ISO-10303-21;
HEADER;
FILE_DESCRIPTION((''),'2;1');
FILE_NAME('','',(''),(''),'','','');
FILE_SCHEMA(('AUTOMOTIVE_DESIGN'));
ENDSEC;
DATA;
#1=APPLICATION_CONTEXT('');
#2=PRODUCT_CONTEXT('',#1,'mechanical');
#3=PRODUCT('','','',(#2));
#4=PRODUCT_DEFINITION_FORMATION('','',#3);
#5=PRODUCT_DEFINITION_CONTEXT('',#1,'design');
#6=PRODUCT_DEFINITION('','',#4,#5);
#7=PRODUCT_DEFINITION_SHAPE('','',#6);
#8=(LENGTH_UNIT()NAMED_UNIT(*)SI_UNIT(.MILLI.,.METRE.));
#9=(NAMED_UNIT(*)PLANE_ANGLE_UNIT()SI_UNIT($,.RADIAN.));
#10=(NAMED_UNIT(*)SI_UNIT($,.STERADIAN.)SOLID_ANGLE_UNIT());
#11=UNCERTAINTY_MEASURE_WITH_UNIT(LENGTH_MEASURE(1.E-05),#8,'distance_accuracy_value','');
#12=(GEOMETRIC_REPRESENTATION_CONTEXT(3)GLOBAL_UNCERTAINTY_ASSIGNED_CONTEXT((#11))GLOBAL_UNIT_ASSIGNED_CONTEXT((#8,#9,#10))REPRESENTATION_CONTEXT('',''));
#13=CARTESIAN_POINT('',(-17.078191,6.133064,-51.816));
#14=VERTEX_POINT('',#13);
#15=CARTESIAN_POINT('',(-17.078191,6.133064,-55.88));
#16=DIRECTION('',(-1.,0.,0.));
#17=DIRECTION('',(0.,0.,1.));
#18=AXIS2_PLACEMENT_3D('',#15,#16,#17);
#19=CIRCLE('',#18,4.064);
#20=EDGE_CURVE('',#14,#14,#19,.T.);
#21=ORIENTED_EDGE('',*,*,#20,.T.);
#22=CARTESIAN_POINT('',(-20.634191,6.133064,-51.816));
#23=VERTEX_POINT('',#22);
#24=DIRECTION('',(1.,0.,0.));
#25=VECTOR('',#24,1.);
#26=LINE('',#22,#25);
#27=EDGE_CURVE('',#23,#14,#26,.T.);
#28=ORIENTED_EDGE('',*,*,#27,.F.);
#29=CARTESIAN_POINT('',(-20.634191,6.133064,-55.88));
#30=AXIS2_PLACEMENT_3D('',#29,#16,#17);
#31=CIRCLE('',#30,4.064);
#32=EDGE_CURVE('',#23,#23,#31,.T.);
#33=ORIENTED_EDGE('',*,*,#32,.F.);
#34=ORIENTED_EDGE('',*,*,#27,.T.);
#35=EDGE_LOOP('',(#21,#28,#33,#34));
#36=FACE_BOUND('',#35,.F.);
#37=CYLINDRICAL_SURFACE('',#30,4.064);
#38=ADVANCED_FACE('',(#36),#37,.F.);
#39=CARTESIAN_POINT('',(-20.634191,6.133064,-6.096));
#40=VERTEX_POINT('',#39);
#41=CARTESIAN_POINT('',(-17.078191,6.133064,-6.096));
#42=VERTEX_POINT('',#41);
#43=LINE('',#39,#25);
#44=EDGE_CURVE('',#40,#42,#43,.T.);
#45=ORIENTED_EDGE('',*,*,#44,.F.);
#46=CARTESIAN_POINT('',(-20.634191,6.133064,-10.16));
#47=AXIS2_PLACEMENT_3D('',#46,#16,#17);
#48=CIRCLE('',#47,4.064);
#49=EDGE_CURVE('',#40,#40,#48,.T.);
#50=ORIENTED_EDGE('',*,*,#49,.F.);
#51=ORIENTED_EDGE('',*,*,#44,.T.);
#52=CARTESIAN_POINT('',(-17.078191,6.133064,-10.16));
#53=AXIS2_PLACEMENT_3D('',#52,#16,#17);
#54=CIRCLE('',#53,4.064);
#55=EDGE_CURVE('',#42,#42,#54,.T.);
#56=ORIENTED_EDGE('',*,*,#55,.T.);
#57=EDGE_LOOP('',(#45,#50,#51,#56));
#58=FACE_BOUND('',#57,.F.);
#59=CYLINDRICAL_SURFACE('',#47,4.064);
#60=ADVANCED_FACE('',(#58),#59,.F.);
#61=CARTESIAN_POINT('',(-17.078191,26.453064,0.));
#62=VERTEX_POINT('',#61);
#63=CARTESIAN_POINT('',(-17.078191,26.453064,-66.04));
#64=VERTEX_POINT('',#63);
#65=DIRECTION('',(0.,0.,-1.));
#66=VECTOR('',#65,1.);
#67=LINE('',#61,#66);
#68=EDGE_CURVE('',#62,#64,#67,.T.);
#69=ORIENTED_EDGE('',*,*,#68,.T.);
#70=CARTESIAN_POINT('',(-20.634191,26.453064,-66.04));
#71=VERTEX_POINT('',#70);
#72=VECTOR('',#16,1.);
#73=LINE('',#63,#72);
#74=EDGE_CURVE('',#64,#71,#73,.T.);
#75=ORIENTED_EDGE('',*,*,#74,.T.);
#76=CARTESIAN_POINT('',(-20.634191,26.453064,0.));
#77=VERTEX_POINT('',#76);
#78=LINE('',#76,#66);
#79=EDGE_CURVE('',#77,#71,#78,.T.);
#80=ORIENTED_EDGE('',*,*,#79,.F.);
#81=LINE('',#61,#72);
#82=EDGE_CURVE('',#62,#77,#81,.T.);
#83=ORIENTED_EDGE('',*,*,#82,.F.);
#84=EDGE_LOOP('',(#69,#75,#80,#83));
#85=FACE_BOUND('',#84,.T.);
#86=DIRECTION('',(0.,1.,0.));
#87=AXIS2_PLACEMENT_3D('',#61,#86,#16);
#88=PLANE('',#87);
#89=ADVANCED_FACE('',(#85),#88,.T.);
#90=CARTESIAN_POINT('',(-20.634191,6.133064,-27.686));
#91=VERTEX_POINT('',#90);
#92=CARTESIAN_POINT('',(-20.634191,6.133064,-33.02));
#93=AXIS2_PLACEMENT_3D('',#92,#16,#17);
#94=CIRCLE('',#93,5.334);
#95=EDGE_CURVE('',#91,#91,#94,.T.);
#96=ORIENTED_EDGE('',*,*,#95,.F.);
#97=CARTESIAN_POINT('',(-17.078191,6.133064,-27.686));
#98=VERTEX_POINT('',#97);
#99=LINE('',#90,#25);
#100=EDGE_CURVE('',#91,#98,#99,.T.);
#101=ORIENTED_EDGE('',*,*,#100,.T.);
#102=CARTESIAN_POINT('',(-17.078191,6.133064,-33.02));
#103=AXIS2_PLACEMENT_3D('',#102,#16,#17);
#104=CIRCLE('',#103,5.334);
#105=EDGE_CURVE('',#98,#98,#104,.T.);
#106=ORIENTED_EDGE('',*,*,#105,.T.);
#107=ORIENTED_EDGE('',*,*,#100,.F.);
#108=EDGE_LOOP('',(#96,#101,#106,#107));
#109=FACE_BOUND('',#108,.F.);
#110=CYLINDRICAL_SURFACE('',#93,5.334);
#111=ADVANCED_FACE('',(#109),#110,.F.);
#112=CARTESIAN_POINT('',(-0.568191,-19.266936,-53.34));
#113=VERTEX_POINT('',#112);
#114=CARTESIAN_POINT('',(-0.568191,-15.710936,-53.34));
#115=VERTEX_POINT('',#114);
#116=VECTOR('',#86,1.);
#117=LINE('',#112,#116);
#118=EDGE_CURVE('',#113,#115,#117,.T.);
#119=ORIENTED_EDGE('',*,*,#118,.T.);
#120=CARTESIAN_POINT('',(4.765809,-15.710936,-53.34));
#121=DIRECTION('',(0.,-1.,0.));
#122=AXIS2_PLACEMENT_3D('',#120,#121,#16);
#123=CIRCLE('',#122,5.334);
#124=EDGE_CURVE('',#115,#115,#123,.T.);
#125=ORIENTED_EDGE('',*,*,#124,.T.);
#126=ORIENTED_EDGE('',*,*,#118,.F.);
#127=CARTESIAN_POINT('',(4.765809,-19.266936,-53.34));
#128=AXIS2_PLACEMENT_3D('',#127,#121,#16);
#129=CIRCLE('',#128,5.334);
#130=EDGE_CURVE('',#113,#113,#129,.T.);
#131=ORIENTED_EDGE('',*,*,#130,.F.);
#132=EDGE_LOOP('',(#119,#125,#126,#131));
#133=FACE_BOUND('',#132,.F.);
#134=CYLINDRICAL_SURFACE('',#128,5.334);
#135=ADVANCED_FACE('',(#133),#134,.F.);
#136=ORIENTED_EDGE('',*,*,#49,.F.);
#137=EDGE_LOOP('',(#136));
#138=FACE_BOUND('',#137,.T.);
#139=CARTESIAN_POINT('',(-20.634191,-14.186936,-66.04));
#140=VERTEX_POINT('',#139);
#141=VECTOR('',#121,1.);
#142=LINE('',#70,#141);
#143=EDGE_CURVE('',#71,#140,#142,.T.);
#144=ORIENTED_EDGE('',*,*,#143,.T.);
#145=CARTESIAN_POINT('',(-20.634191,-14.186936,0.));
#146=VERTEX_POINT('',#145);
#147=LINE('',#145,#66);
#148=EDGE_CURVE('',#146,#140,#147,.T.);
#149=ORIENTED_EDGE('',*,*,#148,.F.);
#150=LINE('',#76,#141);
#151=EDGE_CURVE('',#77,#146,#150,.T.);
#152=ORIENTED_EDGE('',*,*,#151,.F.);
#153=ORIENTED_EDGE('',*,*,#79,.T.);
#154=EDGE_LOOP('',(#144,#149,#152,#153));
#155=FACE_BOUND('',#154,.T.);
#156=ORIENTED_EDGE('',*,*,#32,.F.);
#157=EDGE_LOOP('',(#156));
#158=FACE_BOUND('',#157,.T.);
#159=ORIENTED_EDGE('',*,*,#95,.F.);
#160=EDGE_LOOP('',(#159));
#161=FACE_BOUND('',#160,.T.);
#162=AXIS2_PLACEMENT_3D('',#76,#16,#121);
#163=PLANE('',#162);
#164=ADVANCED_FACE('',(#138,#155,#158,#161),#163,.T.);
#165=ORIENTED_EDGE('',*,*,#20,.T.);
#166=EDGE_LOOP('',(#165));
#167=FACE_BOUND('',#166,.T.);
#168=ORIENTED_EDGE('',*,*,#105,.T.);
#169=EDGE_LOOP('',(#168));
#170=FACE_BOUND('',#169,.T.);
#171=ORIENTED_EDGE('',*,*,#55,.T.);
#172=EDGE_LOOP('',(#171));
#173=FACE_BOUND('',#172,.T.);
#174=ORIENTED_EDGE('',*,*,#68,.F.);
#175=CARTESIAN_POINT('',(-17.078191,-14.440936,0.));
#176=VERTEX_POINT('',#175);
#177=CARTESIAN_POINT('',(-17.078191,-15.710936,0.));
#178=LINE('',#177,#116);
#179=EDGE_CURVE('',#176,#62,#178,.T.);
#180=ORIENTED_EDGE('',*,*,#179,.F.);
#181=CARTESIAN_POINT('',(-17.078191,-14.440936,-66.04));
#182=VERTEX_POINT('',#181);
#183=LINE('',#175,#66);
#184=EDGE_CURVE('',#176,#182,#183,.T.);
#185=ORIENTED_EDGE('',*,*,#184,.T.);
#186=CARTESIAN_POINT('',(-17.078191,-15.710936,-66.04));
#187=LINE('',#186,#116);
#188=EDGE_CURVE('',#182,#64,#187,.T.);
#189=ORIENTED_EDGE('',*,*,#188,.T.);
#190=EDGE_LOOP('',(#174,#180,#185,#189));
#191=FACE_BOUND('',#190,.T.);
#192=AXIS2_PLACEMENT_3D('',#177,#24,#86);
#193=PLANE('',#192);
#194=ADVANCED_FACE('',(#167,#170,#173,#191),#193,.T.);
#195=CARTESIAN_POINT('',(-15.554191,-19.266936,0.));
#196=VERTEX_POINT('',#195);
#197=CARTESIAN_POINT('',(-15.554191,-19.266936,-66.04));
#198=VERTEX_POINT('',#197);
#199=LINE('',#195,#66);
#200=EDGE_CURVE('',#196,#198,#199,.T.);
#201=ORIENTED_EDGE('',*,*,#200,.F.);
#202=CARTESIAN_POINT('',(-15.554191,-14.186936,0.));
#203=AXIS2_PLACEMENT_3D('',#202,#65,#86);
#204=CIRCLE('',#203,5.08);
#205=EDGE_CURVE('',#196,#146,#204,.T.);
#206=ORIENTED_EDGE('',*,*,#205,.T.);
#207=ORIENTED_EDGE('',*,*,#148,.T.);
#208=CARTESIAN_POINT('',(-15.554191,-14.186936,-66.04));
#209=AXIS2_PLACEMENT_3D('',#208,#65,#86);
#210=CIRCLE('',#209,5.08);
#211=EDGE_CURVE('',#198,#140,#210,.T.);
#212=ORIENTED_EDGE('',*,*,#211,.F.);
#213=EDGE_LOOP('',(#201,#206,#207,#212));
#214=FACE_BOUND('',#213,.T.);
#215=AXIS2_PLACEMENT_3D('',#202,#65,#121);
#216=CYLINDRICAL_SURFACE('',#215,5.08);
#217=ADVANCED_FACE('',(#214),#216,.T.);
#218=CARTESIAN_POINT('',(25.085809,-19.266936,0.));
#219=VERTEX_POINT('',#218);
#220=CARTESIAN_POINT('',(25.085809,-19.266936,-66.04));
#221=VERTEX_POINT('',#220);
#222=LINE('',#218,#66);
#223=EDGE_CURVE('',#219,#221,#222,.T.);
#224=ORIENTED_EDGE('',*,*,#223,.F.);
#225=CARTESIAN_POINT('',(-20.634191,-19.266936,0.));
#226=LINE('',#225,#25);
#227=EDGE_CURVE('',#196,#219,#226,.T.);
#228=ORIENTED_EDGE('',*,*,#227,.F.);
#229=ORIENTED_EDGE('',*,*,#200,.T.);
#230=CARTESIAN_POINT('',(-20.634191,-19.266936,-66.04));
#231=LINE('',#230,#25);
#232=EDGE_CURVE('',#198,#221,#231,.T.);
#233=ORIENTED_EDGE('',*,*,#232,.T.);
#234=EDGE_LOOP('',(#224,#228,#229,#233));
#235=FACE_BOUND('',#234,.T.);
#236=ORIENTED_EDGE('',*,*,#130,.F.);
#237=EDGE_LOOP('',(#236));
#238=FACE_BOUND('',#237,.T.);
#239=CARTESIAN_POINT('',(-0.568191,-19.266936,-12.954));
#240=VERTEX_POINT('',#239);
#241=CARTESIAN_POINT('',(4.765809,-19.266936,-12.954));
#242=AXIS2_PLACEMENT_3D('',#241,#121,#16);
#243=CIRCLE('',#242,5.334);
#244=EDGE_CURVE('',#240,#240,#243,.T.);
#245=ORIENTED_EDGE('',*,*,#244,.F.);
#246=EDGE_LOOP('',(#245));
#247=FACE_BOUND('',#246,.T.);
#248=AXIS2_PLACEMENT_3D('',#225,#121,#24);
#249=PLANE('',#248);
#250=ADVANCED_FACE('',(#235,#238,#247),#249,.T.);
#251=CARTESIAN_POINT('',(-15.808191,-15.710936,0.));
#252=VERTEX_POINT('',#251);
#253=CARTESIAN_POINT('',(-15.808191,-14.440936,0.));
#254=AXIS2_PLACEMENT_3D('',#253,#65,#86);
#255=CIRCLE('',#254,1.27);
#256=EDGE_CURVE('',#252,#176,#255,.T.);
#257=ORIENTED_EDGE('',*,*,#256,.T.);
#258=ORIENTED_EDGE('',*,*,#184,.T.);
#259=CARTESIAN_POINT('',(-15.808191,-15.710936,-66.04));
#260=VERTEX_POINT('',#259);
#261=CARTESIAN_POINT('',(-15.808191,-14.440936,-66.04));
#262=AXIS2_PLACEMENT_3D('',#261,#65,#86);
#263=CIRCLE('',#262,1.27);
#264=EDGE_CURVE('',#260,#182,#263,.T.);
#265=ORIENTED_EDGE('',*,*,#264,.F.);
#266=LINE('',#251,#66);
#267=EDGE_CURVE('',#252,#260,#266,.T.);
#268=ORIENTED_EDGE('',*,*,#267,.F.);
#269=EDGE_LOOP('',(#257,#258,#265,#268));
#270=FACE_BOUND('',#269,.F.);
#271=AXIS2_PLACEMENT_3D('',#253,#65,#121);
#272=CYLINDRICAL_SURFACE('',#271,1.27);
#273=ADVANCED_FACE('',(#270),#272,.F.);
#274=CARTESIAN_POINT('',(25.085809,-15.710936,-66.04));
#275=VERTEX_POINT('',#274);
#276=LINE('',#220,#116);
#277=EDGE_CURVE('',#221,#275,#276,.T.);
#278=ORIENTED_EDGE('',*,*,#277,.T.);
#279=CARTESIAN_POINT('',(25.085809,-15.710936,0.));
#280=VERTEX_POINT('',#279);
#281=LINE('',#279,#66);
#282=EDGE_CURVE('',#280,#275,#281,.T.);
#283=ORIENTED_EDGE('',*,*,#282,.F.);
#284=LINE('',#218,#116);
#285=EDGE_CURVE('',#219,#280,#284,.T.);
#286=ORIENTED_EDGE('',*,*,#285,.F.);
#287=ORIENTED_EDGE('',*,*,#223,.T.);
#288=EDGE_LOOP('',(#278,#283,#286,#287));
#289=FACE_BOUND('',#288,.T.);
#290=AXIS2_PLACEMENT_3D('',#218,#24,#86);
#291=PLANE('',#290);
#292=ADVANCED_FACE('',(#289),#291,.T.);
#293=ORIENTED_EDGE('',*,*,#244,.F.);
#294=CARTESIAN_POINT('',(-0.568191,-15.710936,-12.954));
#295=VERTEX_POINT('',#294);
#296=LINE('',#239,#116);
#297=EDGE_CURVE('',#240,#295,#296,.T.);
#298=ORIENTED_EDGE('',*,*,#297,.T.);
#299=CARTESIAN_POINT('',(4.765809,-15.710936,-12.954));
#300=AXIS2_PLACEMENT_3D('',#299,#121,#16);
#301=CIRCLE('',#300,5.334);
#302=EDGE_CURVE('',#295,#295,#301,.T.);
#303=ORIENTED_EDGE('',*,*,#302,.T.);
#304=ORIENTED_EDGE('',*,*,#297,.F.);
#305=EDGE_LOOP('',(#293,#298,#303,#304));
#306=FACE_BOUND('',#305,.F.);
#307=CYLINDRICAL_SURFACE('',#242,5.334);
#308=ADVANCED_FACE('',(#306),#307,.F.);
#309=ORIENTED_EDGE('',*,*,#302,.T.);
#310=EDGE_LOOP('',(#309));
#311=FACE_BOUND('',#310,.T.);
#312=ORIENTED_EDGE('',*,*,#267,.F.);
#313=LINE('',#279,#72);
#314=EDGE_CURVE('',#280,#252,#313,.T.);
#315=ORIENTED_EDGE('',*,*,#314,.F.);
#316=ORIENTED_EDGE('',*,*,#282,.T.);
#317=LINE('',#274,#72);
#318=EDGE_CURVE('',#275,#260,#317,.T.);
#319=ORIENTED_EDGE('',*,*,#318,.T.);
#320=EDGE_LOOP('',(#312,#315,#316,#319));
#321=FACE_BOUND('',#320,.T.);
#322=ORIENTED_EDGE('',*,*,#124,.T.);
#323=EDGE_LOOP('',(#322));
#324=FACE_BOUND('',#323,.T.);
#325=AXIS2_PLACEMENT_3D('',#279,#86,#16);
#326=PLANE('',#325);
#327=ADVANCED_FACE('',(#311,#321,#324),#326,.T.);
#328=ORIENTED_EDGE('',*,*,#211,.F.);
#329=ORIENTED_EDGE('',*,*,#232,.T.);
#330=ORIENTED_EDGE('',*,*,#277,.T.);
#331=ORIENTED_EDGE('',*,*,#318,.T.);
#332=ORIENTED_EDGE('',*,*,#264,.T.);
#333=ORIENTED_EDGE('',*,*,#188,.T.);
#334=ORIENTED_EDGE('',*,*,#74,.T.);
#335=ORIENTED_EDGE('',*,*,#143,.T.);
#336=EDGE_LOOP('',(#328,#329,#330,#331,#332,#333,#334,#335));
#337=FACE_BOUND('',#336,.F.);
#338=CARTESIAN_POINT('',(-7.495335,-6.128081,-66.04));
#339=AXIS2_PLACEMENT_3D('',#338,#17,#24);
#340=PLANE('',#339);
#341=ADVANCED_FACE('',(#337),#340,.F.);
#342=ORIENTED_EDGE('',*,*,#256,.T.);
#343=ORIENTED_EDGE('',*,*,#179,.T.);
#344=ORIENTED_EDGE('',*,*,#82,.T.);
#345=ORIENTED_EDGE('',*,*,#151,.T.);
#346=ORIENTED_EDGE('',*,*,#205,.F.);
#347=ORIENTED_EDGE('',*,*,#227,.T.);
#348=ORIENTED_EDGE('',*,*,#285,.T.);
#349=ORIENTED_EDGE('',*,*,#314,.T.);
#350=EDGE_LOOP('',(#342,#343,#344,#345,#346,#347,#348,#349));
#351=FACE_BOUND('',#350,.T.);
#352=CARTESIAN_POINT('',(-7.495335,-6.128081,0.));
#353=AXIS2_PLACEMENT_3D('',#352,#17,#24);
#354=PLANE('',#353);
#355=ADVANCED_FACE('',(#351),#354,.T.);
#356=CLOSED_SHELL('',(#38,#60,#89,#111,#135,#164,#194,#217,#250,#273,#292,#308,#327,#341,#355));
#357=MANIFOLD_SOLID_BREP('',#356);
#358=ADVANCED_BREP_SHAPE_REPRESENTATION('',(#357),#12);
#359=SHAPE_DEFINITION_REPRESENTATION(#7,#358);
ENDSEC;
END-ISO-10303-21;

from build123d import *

# Parameters (mm, degrees)
BOSS_EXTRUDE1_DEPTH = 66.04
FILLET1_R           = 1.27
FILLET3_R           = 5.08
SKETCH2_R           = 5.334
SKETCH2_R_2         = 4.064
CUT_EXTRUDE1_DEPTH  = 66.04
SKETCH3_R           = 5.334
CUT_EXTRUDE2_DEPTH  = 66.04


with BuildPart() as part:
    # Sketch1 → Boss-Extrude1 (new body)
    with BuildSketch(Plane.XY):
        Polygon((-20.634190635, 26.453063941), (-20.634190635, -19.266936059), (25.085809365, -19.266936059), (25.085809365, -15.710936059), (-17.078190635, -15.710936059), (-17.078190635, 26.453063941), align=None)
    extrude(amount=-BOSS_EXTRUDE1_DEPTH)

    # Fillet1
    fillet1_edges = [part.edges().sort_by_distance(p)[0] for p in [
        (-17.078190635, -15.710936059, -33.02),
    ]]
    fillet(fillet1_edges, radius=FILLET1_R)

    # Fillet3
    fillet3_edges = [part.edges().sort_by_distance(p)[0] for p in [
        (-20.634190635, -19.266936059, -33.02),
    ]]
    fillet(fillet3_edges, radius=FILLET3_R)

    # Sketch2 → Cut-Extrude1 (cut)
    with BuildSketch(Plane.ZY.offset(20.634190635)):
        with Locations((-33.02, 6.133063941)):
            Circle(SKETCH2_R)
        with Locations((-55.88, 6.133063941)):
            Circle(SKETCH2_R_2)
        with Locations((-10.16, 6.133063941)):
            Circle(SKETCH2_R_2)
    extrude(amount=-CUT_EXTRUDE1_DEPTH, mode=Mode.SUBTRACT)

    # Sketch3 → Cut-Extrude2 (cut)
    with BuildSketch(Plane(origin=(0, -19.266936059, 0), x_dir=(-1, 0, 0), z_dir=(0, -1, 0))):
        with Locations((-4.765809365, 12.954)):
            Circle(SKETCH3_R)
        with Locations((-4.765809365, 53.34)):
            Circle(SKETCH3_R)
    extrude(amount=-CUT_EXTRUDE2_DEPTH, mode=Mode.SUBTRACT)


solid = part.part
